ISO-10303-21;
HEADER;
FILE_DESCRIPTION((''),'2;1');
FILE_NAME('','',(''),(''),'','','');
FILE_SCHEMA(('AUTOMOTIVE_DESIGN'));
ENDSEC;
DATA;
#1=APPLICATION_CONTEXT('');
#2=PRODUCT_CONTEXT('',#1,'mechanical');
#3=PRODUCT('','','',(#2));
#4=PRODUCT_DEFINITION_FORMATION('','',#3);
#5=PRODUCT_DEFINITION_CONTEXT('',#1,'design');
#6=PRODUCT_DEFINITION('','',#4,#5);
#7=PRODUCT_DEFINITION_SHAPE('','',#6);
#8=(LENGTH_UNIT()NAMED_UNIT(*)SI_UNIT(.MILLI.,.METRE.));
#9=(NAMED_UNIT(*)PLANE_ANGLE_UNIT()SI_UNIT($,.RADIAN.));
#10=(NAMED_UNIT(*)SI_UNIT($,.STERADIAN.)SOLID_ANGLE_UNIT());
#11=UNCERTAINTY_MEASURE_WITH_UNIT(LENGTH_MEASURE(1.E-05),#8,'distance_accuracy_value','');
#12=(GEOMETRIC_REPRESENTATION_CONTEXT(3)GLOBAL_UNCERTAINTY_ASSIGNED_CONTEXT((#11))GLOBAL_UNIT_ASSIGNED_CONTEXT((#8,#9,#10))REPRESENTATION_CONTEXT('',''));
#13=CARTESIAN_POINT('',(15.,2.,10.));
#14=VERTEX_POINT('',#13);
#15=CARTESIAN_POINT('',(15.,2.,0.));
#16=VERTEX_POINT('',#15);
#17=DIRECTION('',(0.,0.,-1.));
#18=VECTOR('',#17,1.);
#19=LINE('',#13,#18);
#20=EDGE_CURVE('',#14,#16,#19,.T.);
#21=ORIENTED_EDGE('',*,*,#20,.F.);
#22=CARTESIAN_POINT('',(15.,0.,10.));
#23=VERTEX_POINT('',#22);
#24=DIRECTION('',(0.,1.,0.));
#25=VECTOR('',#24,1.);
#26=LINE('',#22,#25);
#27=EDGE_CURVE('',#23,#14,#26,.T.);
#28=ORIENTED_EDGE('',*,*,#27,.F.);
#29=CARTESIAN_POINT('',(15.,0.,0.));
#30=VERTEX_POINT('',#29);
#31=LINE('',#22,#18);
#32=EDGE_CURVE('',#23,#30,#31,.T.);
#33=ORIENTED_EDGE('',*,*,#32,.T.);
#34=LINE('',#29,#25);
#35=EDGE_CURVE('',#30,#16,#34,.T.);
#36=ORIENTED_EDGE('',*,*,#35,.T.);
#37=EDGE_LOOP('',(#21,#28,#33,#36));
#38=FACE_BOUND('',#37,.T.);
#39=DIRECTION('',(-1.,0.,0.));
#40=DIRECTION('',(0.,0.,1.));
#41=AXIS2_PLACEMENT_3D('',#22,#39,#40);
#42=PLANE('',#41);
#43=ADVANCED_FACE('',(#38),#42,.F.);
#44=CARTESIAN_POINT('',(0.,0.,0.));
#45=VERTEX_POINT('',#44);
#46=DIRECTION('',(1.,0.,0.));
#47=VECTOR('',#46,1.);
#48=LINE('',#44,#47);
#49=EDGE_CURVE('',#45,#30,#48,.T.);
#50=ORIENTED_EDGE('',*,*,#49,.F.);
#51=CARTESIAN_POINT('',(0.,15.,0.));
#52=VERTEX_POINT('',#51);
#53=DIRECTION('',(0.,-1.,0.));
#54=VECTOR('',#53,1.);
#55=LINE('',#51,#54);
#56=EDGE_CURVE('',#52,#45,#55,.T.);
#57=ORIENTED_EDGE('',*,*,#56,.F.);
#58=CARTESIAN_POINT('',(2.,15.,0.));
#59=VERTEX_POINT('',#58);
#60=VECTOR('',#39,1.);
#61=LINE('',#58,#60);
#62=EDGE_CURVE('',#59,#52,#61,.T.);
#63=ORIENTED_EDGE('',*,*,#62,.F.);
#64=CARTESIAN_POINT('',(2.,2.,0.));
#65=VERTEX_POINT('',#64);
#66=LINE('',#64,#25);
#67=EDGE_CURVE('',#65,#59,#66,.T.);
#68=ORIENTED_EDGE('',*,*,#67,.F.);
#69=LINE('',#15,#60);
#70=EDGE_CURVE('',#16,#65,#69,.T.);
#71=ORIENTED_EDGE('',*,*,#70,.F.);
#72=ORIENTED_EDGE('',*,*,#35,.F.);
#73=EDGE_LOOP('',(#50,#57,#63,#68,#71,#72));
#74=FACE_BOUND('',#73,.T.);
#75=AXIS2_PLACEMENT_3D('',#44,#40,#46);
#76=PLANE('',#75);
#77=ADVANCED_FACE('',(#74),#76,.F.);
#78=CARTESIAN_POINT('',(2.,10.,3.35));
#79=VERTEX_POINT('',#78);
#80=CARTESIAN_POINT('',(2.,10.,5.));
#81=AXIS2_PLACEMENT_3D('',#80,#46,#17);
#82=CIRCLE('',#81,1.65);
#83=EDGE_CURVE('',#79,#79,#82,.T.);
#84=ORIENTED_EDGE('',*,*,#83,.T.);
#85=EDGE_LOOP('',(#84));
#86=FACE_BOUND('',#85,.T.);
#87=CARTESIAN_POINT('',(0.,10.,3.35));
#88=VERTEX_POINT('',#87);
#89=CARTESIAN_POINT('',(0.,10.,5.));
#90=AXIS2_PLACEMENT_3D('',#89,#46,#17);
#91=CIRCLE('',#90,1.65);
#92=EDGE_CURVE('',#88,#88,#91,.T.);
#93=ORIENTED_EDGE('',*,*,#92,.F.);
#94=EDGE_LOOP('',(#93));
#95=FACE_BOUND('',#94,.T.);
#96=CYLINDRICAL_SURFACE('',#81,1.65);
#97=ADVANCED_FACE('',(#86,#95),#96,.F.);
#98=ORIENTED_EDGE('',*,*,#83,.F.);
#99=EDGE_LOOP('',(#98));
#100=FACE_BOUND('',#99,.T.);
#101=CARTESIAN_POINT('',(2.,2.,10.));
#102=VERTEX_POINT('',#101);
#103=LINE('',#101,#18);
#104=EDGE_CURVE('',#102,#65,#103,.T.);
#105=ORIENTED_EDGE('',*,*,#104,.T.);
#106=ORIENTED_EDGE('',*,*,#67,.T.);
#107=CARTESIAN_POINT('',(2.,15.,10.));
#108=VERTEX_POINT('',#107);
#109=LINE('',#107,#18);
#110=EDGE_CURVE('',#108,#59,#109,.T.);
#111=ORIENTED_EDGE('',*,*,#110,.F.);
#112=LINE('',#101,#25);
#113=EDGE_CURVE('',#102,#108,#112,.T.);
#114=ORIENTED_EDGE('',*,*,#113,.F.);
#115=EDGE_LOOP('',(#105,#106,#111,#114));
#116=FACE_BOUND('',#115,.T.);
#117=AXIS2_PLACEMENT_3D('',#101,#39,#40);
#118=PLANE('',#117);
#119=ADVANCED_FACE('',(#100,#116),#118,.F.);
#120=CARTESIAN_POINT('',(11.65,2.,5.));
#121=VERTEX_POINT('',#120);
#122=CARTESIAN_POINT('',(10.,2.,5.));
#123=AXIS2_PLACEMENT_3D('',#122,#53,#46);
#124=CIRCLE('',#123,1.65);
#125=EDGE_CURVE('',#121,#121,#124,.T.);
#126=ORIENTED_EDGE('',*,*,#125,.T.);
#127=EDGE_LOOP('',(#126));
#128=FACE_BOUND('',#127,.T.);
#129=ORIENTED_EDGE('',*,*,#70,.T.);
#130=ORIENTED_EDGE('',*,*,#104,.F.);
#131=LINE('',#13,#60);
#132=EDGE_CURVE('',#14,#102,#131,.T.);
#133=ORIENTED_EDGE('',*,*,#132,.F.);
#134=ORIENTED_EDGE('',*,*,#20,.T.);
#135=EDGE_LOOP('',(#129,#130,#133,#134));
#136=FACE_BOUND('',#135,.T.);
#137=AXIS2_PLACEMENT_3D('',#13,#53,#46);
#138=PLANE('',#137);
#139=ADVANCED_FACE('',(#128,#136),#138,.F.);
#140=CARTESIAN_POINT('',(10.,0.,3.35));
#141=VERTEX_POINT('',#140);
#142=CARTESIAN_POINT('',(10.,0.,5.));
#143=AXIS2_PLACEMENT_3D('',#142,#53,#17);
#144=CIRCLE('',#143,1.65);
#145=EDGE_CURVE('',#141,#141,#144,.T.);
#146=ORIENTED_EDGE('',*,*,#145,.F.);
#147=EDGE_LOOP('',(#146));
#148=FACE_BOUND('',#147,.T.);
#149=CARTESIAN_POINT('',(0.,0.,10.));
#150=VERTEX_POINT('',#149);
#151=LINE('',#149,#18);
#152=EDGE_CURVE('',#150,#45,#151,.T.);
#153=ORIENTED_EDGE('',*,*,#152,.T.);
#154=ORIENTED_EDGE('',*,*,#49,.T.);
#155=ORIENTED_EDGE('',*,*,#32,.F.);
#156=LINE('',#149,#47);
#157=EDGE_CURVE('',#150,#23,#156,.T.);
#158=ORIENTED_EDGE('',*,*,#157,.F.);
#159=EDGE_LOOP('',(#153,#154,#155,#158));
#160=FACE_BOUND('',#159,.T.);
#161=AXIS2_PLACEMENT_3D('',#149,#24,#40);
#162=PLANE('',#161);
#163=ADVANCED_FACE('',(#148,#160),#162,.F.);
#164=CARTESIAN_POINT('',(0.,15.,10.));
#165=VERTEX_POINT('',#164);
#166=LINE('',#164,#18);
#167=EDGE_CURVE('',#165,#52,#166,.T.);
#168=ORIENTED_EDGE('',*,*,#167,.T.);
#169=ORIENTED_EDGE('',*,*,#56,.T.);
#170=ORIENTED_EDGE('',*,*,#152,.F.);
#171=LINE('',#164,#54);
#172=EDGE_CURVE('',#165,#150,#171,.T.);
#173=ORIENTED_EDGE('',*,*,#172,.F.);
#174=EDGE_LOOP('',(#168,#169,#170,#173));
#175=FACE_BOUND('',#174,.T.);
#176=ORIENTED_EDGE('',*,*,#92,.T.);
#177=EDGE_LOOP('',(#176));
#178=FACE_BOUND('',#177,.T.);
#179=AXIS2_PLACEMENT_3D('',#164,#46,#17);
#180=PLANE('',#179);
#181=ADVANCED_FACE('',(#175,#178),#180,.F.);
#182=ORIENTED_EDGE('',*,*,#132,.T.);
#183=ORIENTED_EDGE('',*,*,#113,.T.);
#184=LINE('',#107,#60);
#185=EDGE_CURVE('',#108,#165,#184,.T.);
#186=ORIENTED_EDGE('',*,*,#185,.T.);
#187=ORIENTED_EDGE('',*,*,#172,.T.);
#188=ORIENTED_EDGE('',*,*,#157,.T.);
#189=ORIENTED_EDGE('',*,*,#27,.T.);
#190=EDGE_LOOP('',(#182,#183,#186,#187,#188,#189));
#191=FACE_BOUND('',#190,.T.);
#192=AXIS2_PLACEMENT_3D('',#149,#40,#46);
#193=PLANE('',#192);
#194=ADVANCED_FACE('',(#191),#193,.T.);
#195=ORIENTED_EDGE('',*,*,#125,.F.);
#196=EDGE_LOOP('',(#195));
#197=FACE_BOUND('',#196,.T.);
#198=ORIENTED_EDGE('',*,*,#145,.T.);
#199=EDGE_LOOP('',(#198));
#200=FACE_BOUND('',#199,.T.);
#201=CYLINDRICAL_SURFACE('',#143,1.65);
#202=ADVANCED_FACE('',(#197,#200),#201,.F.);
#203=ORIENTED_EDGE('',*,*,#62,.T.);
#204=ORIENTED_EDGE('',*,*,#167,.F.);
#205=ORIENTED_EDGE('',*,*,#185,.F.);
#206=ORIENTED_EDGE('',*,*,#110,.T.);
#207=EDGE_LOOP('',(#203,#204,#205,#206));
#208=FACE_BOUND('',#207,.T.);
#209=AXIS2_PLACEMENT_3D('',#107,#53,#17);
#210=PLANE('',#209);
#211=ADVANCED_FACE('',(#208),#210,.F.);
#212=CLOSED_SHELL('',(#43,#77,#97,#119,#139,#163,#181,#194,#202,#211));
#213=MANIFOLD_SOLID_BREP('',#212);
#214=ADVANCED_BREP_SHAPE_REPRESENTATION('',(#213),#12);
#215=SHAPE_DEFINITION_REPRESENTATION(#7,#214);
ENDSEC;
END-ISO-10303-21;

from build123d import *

# Parameters (mm, degrees)
RESSALTO_EXTRUS_O2_DEPTH                   = 10
BROCA_DE_ROSQUEAR_PARA_TARRAXA_DE_M4X0_7_D = 3.3
BROCA_DE_ROSQUEAR_PARA_TARRAXA_DE_M4_2_D   = 3.3


with BuildPart() as part:
    # Esboço1 → Ressalto-extrusão2 (new body)
    with BuildSketch(Plane.XY):
        Polygon((0, 0), (15, 0), (15, 2), (2, 2), (2, 15), (0, 15), align=None)
    extrude(amount=RESSALTO_EXTRUS_O2_DEPTH)

    # Broca de rosquear para tarraxa de M4x0.7 (through all)
    with Locations(Plane(origin=(2, 10, 5), x_dir=(0, 0, 1), z_dir=(1, 0, 0))):
        with Locations((0, 0)):
            Hole(BROCA_DE_ROSQUEAR_PARA_TARRAXA_DE_M4X0_7_D / 2)

    # Broca de rosquear para tarraxa de M4 2 (through all)
    with Locations(Plane(origin=(10, 0, 5), x_dir=(0, 0, -1), z_dir=(0, -1, 0))):
        with Locations((0, 0)):
            Hole(BROCA_DE_ROSQUEAR_PARA_TARRAXA_DE_M4_2_D / 2)


solid = part.part
